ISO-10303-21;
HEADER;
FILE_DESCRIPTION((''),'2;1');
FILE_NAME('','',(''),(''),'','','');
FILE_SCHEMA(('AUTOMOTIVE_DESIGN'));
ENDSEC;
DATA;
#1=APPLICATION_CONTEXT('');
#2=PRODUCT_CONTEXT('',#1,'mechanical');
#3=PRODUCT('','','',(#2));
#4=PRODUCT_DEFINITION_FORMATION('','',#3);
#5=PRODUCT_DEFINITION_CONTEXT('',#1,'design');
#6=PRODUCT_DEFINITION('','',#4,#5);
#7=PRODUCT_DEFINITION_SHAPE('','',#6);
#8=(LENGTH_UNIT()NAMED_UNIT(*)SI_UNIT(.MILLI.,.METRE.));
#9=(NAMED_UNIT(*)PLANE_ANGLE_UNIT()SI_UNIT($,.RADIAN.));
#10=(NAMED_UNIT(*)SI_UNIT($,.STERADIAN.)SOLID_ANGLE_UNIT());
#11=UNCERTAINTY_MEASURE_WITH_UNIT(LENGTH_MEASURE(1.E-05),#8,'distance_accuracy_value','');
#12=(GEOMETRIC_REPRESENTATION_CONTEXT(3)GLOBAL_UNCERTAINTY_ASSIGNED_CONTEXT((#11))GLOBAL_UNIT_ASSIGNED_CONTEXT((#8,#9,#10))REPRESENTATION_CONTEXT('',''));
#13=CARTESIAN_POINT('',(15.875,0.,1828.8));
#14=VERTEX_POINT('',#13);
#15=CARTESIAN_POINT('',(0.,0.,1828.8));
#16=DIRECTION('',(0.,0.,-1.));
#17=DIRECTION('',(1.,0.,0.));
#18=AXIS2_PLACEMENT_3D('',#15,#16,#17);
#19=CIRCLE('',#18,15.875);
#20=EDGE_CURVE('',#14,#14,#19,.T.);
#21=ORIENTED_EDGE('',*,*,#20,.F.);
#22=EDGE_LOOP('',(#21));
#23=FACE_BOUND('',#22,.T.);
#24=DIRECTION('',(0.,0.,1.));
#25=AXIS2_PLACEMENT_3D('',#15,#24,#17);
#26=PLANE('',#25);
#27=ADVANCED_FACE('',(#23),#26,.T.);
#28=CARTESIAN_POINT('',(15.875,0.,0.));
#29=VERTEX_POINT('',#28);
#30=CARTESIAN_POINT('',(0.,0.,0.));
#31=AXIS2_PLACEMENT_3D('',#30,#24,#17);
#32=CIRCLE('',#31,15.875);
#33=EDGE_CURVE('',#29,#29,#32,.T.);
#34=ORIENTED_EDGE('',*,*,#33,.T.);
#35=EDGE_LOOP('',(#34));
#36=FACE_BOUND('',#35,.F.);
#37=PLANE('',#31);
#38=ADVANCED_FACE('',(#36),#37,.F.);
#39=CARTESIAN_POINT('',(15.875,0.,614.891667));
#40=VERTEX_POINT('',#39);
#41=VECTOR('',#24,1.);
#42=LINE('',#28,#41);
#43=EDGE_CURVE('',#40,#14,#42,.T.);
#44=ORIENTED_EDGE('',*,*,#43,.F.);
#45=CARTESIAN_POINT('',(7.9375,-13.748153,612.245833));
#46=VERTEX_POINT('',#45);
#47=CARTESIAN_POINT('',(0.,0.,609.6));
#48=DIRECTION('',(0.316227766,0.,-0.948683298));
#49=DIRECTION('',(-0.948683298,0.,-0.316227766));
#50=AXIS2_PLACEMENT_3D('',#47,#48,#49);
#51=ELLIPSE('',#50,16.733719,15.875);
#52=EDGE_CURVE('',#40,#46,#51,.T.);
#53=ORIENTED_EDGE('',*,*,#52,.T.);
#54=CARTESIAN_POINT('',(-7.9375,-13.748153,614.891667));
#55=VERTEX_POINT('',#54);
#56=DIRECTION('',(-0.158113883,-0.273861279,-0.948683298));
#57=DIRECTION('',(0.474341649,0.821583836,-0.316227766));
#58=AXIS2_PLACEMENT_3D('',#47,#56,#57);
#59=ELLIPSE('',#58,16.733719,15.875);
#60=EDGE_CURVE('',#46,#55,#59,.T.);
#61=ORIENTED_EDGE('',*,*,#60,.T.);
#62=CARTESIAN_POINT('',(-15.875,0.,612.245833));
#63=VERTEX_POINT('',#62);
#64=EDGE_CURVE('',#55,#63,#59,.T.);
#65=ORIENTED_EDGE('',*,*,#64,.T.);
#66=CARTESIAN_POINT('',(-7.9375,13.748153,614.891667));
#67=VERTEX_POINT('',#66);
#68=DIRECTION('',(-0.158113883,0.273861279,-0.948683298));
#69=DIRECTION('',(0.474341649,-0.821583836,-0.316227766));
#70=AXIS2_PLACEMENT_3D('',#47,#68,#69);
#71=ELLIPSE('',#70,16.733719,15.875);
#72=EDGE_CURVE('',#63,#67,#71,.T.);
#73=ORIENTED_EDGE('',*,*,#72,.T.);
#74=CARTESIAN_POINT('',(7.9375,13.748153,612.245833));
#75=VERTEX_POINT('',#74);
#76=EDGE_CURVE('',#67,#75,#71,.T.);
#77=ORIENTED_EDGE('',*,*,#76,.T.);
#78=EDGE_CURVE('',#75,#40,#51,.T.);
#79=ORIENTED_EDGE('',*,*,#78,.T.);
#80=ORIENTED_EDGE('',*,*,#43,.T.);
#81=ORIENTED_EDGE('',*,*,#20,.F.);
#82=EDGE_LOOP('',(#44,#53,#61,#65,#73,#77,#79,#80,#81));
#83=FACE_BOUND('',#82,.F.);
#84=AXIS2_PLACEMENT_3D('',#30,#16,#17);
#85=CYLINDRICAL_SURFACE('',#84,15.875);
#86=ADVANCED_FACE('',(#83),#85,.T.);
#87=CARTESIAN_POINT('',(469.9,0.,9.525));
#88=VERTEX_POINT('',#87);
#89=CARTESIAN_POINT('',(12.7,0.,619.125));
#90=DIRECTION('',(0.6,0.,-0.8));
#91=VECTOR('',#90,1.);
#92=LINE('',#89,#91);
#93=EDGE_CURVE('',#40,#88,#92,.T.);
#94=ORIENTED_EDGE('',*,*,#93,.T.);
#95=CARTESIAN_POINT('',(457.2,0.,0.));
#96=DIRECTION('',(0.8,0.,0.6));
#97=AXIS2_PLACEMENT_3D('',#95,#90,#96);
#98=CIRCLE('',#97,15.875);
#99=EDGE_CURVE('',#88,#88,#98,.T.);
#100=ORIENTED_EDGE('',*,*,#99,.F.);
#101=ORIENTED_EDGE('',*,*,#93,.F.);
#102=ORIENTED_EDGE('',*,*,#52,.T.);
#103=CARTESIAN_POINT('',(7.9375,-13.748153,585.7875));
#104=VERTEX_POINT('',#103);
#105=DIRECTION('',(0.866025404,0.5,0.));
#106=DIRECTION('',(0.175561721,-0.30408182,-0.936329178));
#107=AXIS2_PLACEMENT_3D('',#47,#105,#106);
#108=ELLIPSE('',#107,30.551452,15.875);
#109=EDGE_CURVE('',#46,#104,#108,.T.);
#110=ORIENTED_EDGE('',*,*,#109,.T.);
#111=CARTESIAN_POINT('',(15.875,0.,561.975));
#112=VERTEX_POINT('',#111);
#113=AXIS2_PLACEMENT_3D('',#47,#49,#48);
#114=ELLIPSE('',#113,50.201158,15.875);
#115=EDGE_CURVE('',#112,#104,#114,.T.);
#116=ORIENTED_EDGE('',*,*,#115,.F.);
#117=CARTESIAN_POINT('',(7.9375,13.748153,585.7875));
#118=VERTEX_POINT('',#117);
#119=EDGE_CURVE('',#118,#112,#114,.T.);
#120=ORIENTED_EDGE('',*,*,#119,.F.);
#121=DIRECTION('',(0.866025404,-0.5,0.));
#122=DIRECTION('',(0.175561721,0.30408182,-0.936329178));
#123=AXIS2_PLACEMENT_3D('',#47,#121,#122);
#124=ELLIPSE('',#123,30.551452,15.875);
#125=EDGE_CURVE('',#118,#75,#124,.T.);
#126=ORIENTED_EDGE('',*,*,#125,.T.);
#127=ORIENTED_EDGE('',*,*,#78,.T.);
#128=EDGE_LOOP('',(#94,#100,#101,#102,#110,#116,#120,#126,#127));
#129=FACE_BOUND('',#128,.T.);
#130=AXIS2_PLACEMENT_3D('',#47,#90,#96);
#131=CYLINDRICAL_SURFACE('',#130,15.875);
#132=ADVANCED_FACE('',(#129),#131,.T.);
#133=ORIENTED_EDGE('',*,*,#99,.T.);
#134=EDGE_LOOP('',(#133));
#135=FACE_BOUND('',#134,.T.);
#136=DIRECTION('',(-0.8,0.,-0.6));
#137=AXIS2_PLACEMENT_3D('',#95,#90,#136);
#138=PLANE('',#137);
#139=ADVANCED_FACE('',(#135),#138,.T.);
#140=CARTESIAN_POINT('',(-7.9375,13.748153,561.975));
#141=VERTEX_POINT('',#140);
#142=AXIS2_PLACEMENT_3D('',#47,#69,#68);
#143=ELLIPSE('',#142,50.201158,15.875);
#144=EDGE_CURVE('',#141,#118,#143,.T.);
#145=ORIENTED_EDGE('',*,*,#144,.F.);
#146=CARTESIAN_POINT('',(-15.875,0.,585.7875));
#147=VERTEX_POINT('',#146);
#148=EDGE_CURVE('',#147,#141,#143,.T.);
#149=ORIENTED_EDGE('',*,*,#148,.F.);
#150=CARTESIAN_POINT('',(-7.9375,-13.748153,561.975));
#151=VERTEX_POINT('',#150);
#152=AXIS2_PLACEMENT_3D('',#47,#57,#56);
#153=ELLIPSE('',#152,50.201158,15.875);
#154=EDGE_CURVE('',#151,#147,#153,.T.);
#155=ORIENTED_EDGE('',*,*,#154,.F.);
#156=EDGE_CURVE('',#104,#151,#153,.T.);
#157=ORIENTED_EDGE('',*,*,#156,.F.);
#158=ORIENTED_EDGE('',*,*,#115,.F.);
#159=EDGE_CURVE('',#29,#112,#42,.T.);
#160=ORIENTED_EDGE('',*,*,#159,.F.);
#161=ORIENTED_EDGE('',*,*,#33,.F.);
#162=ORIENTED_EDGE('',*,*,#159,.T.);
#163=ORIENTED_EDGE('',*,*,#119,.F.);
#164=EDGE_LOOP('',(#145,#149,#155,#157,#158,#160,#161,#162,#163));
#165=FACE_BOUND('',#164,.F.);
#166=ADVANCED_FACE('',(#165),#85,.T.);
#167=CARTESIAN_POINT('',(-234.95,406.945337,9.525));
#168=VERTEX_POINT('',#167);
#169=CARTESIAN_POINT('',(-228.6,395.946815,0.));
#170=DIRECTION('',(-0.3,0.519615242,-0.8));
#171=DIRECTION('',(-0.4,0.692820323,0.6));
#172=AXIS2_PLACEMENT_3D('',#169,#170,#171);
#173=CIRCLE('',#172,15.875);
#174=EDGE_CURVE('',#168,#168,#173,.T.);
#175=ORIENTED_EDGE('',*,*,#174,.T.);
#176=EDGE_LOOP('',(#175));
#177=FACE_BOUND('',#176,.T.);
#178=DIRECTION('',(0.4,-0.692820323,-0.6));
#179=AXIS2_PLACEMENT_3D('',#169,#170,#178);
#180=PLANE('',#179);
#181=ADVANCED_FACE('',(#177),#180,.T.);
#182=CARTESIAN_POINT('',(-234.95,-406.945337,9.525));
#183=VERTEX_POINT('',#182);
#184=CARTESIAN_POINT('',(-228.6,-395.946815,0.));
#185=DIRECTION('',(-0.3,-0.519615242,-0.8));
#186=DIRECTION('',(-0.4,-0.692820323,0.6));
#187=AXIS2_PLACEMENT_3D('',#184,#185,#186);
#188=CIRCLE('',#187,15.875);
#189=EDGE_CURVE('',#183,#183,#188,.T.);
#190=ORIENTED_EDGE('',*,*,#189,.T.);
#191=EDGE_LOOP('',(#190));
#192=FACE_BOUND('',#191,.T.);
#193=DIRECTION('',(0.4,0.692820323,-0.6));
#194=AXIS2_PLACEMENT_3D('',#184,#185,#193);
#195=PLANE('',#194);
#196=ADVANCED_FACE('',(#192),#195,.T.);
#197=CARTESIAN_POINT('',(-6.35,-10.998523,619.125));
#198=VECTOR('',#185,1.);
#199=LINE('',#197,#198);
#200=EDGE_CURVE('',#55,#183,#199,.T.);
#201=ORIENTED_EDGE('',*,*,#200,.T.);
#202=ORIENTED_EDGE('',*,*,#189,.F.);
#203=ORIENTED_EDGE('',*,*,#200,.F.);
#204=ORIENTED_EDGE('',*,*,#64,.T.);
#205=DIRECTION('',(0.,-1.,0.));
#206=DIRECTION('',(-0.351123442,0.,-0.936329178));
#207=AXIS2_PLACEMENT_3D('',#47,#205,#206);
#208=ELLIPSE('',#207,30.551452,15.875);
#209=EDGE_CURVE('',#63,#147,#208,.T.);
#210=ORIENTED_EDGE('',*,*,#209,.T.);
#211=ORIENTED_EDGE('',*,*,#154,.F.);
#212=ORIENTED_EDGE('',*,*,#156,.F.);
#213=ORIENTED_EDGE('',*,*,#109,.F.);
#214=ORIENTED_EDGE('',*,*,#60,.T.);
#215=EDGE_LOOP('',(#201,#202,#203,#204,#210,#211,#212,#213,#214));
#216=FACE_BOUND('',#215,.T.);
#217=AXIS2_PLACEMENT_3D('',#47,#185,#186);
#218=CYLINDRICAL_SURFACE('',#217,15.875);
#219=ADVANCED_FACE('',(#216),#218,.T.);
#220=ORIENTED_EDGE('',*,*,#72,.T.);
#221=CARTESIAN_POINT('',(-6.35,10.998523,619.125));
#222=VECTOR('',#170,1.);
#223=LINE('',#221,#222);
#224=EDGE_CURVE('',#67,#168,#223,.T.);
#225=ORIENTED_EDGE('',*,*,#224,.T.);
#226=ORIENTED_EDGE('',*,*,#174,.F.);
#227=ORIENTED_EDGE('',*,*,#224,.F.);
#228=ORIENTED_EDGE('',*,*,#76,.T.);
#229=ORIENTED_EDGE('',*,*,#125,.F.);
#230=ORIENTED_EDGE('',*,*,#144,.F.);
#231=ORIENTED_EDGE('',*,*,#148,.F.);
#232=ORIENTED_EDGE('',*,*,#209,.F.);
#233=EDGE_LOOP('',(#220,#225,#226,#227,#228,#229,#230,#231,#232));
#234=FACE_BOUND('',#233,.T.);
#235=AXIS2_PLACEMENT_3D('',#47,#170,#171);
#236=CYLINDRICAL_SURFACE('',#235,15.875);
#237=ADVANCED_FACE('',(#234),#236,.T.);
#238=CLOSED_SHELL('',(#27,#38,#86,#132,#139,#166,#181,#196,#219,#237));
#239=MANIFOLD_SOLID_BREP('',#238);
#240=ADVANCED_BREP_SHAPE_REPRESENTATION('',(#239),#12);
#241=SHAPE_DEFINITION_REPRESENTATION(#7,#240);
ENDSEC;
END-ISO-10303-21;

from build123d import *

# Parameters (mm, degrees)
F0_R     = 15.875
F1_DEPTH = 1828.8
F4_R     = 15.875
F6_COUNT = 3


with BuildPart() as f1:
    # F0 (on Top) → F1 (new body)
    with BuildSketch(Plane.XY):
        Circle(F0_R)
    extrude(amount=F1_DEPTH)

    # F5: sweep along a path in F2
    with BuildLine(Plane.XZ) as f5_path:
        Line((0, 609.6), (457.2, 0))
    # F4 (on face) → F5 (sweep)
    with BuildSketch(Plane(origin=(164.592, 0, -219.456), x_dir=(0.8, 0, 0.6), z_dir=(0.6, 0, -0.8))):
        with Locations((365.76, 0)):
            Circle(F4_R)
    sweep(path=f5_path.line)

    # F6: F1 ×3 about axis
    f6_axis = Axis((0, 0, 0), (0, 0, -1))


with BuildPart() as f1_1:
    add(f1.part)
    for i in range(1, F6_COUNT):
        add(f1.part.rotate(f6_axis, i * 360 / F6_COUNT))


solid = f1_1.part
